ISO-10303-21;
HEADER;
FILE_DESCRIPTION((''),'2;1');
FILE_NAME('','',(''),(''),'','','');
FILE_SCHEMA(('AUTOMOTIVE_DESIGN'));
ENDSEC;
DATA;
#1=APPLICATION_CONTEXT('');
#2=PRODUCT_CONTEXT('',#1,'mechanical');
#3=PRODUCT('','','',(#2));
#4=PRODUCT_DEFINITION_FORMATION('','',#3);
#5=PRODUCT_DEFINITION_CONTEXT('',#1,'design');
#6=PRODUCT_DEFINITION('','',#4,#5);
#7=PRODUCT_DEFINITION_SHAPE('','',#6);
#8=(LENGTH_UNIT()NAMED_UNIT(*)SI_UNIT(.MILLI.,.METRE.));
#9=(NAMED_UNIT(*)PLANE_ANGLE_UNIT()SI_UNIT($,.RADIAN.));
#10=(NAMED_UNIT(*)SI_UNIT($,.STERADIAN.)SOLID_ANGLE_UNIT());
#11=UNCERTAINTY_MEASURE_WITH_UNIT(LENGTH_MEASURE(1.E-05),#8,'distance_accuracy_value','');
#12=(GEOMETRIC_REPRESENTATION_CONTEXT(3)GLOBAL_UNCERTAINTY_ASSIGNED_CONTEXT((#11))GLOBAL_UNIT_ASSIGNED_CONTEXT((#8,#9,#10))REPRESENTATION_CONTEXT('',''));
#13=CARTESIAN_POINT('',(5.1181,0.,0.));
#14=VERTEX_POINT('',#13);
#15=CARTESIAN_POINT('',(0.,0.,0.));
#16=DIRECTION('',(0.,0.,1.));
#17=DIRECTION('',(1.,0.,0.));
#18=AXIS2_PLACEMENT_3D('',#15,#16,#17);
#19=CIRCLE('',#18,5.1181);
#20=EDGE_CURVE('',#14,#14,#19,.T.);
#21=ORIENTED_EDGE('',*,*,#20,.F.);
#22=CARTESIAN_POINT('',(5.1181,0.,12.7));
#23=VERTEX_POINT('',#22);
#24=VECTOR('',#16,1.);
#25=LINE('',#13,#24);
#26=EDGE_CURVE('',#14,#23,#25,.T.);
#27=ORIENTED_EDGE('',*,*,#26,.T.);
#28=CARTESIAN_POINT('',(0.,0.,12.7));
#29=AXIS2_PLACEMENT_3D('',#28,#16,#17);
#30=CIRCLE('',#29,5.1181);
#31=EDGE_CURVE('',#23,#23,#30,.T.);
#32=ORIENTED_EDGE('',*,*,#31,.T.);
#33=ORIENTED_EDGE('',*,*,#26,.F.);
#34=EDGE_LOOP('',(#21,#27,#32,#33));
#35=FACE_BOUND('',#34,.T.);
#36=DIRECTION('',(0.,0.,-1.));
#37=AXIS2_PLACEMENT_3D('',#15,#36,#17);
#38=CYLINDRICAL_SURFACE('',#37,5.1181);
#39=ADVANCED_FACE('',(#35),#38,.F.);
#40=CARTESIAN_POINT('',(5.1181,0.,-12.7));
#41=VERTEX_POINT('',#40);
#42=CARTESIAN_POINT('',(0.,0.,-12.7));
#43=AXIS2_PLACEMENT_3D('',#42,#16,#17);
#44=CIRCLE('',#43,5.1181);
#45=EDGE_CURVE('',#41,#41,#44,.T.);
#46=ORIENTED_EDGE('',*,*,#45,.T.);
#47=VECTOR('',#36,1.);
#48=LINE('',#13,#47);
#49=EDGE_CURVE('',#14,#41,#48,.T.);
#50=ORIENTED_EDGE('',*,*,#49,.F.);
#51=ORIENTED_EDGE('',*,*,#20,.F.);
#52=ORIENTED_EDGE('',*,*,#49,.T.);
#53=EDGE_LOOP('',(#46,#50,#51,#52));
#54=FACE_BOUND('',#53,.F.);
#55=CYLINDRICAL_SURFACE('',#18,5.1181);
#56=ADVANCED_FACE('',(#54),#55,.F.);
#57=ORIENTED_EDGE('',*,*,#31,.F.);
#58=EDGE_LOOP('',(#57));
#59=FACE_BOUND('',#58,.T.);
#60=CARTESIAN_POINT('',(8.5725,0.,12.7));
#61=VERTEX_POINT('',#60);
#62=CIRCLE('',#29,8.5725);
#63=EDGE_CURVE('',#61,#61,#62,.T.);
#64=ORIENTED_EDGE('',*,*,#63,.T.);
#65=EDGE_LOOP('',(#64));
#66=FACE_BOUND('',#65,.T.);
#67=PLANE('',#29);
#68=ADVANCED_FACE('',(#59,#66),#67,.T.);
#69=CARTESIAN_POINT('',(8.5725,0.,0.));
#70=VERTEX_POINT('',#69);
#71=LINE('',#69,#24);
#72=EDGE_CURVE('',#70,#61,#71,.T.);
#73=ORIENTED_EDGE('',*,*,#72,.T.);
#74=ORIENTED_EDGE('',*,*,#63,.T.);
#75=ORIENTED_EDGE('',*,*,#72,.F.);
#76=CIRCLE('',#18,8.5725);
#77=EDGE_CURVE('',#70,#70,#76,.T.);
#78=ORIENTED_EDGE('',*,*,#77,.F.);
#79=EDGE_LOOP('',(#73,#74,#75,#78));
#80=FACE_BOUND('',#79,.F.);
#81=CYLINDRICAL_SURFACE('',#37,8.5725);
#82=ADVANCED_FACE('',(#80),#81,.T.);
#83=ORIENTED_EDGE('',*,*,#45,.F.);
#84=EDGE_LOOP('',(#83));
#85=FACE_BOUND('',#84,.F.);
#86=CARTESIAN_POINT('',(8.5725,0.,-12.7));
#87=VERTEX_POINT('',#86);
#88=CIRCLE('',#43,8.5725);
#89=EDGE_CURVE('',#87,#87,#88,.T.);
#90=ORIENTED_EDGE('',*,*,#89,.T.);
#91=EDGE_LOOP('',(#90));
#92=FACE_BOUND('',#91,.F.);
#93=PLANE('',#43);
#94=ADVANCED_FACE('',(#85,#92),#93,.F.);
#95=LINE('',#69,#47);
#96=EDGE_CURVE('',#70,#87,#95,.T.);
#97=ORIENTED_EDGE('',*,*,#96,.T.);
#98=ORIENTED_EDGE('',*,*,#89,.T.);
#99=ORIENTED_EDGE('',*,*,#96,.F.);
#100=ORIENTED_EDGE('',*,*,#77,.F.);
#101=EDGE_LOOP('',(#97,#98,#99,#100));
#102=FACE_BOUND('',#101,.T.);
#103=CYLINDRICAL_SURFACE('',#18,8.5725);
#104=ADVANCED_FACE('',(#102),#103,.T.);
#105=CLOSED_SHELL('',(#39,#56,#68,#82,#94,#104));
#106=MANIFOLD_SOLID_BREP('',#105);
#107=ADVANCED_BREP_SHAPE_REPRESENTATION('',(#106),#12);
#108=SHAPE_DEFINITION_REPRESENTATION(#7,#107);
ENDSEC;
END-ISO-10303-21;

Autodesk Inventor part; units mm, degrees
ref_plane "YZ Plane" through (0, 0, 0) normal (1, 0, 0) x (0, 1, 0)
ref_plane "XZ Plane" through (0, 0, 0) normal (0, 1, 0) x (-1, 0, 0)
ref_plane "XY Plane" through (0, 0, 0) normal (0, 0, 1) x (1, 0, 0)
sketch "Sketch1" plane through (0, 0, 0) normal (0, 0, 1) x (1, 0, 0)
  circle A0 centre (0, 0) radius 5.1181
  circle A1 centre (0, 0) radius 8.5725
  dimension "d0" = 10.2362
  dimension "d2" = 17.145
extrude "Extrusion1" add sketch "Sketch1" along normal mid plane 25.4
properties part number "PVC Spacer 375 Sched 80" material "PVC-Piping"
